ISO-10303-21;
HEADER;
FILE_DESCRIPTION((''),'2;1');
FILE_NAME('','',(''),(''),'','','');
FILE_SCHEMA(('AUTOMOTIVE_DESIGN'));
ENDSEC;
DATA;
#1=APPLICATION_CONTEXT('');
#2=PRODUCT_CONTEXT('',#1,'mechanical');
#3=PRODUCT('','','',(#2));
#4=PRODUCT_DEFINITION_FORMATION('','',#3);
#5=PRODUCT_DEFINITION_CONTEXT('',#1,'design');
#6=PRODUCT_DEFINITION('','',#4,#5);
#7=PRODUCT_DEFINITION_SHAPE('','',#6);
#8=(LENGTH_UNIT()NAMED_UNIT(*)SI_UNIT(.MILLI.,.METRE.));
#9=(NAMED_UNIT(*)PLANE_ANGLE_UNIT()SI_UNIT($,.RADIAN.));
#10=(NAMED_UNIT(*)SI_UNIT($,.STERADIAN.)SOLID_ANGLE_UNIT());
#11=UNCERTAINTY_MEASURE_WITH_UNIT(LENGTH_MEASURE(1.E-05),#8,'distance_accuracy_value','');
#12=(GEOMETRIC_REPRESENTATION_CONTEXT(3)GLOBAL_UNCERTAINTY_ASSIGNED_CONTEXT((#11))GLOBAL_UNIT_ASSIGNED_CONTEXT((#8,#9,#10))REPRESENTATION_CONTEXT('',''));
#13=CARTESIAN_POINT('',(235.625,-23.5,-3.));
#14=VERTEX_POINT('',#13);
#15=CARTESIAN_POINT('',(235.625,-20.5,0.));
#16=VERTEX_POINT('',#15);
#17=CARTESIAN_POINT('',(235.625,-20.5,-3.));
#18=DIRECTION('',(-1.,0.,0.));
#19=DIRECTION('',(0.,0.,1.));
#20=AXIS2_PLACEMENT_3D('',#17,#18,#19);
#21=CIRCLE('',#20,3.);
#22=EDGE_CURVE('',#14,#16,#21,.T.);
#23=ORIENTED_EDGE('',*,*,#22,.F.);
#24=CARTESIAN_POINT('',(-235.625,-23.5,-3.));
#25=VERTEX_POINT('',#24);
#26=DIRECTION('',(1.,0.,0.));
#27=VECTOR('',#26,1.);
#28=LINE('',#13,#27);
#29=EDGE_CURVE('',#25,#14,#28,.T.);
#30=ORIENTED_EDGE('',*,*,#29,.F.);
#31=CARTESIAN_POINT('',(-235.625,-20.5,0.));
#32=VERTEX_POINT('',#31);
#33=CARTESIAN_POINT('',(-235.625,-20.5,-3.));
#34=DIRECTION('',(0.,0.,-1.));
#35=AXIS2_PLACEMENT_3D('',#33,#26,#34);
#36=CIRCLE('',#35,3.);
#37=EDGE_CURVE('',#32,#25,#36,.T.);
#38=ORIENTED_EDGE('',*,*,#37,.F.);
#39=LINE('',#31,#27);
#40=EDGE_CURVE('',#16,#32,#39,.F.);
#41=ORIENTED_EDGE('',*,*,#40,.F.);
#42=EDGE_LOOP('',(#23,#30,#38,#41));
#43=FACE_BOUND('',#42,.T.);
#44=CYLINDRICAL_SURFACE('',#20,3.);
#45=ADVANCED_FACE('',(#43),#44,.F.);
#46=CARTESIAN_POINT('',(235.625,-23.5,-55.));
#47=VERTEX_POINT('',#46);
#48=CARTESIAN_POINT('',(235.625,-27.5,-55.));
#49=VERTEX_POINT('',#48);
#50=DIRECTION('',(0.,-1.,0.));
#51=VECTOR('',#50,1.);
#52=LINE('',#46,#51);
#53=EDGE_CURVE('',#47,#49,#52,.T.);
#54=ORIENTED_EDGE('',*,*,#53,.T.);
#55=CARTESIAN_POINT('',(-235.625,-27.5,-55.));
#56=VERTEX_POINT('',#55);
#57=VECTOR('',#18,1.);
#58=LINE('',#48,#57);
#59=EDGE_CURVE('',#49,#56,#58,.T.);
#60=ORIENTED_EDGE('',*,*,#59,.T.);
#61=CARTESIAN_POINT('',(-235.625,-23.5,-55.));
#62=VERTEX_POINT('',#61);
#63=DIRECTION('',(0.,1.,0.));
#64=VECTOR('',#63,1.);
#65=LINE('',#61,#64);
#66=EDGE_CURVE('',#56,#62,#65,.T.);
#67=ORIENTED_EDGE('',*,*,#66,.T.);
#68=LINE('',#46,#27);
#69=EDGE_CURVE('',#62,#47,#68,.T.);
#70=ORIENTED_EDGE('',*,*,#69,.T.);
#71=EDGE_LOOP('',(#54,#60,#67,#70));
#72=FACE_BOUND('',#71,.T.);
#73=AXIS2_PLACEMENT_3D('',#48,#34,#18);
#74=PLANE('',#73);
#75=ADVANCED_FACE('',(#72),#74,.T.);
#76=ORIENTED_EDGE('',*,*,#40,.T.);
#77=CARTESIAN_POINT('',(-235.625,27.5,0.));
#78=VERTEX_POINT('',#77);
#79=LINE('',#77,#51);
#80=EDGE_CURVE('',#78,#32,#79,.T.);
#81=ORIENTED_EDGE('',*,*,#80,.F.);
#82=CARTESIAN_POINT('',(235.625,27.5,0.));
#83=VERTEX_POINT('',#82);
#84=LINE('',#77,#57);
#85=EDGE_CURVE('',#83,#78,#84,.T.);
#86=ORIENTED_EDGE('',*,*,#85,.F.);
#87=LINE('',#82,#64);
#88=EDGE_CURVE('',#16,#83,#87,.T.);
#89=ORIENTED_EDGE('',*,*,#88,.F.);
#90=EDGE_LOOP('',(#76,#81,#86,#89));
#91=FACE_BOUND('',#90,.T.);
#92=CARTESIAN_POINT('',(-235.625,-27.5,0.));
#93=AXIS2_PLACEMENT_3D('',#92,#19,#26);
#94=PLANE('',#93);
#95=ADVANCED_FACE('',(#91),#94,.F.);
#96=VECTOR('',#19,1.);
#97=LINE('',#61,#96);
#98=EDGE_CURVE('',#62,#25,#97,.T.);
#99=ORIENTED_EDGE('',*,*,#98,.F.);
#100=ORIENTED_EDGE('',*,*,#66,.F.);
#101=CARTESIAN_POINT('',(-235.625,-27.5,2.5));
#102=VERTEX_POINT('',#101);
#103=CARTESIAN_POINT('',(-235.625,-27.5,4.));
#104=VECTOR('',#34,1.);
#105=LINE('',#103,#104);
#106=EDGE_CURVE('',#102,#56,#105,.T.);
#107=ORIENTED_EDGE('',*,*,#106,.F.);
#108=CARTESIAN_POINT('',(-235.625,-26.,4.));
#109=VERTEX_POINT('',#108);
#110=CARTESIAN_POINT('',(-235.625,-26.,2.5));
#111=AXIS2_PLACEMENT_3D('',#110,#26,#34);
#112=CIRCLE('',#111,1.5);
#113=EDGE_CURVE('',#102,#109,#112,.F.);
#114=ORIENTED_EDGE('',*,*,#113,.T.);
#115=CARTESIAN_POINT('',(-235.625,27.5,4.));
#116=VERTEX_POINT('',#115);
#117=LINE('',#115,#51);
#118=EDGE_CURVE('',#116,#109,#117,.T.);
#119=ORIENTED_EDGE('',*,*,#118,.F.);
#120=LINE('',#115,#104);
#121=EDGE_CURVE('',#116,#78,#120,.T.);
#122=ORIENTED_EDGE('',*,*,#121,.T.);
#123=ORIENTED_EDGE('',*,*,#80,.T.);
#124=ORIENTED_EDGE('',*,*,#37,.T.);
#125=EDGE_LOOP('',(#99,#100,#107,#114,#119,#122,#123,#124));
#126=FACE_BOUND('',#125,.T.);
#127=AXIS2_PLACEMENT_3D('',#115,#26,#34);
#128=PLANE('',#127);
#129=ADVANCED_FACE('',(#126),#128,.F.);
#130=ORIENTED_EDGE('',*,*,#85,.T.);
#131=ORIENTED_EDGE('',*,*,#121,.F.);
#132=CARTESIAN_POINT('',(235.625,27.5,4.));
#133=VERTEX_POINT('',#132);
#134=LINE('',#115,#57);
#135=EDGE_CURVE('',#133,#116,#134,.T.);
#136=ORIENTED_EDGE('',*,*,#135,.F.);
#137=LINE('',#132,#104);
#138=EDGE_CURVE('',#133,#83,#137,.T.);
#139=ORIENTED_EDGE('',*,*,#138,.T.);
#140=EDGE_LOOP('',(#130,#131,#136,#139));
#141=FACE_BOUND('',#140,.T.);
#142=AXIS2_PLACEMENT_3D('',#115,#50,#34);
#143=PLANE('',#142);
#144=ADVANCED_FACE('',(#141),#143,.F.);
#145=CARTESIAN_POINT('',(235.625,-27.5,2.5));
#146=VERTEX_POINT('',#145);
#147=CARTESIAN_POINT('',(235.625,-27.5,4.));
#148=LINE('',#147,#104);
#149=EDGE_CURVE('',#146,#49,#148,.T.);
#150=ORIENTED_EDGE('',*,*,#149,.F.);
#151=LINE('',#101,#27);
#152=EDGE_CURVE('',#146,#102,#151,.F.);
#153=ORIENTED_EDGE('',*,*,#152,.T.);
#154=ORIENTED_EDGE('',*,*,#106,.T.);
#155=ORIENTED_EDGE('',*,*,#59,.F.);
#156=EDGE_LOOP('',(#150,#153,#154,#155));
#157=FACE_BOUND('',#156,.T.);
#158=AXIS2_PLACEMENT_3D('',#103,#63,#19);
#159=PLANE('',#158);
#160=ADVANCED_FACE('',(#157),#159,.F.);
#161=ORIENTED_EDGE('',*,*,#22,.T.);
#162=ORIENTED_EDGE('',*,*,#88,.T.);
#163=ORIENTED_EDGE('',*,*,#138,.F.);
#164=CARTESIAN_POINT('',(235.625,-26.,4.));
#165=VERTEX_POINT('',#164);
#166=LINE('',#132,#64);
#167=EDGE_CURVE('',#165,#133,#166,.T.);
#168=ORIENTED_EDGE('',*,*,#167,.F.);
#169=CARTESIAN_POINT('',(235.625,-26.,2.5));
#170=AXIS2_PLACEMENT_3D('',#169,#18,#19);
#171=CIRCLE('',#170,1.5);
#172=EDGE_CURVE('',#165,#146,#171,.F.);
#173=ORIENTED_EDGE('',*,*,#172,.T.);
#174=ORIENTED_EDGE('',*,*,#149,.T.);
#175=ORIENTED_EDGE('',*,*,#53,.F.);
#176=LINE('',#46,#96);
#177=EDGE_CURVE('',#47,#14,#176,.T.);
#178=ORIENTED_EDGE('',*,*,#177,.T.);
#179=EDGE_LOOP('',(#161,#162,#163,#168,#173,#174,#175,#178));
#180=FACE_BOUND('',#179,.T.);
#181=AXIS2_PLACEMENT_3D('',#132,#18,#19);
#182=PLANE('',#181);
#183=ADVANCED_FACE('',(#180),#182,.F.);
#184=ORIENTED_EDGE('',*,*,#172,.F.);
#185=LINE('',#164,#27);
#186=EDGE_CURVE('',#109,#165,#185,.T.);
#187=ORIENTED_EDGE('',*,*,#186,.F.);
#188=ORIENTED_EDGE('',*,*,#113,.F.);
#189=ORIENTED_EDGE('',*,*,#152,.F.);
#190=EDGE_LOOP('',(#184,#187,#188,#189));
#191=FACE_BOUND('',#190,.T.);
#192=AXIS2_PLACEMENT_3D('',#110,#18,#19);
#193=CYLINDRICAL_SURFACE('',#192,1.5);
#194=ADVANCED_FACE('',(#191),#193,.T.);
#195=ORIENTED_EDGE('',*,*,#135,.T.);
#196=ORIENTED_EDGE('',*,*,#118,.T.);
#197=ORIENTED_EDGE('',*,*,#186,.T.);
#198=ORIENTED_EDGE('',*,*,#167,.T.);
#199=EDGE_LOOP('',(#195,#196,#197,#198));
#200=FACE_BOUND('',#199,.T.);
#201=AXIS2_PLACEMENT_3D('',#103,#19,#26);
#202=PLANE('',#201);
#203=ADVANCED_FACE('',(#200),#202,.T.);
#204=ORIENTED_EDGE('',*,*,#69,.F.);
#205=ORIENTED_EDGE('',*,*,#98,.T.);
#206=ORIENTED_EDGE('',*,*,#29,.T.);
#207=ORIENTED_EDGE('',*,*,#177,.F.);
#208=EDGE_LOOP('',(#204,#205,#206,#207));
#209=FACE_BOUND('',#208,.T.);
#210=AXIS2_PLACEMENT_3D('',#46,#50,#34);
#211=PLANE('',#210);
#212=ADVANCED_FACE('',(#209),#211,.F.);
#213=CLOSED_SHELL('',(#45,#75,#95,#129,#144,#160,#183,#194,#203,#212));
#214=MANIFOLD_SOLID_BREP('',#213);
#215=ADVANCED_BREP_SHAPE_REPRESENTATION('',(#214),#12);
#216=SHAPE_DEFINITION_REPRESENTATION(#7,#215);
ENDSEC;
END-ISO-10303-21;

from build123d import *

# Parameters (mm, degrees)
CROQUIS1_W              = 471.25
CROQUIS1_H              = 55
SALIENTE_EXTRUIR1_DEPTH = 4
CROQUIS2_W              = 471.25
CROQUIS2_H              = 4
SALIENTE_EXTRUIR2_DEPTH = 55
REDONDEO1_R             = 3
REDONDEO2_R             = 1.5


with BuildPart() as part:
    # Croquis1 → Saliente-Extruir1 (new body)
    with BuildSketch(Plane.XY):
        Rectangle(CROQUIS1_W, CROQUIS1_H)
    extrude(amount=SALIENTE_EXTRUIR1_DEPTH)

    # Croquis2 → Saliente-Extruir2 (add)
    with BuildSketch(Plane(origin=(0, 0, 0), x_dir=(-1, 0, 0), z_dir=(0, 0, -1))):
        with Locations((0, -25.5)):
            Rectangle(CROQUIS2_W, CROQUIS2_H)
    extrude(amount=SALIENTE_EXTRUIR2_DEPTH)

    # Redondeo1
    redondeo1_edges = [part.edges().sort_by_distance(p)[0] for p in [
        (0, -23.5, 0),
    ]]
    fillet(redondeo1_edges, radius=REDONDEO1_R)

    # Redondeo2
    redondeo2_edges = [part.edges().sort_by_distance(p)[0] for p in [
        (0, -27.5, 4),
    ]]
    fillet(redondeo2_edges, radius=REDONDEO2_R)


solid = part.part
